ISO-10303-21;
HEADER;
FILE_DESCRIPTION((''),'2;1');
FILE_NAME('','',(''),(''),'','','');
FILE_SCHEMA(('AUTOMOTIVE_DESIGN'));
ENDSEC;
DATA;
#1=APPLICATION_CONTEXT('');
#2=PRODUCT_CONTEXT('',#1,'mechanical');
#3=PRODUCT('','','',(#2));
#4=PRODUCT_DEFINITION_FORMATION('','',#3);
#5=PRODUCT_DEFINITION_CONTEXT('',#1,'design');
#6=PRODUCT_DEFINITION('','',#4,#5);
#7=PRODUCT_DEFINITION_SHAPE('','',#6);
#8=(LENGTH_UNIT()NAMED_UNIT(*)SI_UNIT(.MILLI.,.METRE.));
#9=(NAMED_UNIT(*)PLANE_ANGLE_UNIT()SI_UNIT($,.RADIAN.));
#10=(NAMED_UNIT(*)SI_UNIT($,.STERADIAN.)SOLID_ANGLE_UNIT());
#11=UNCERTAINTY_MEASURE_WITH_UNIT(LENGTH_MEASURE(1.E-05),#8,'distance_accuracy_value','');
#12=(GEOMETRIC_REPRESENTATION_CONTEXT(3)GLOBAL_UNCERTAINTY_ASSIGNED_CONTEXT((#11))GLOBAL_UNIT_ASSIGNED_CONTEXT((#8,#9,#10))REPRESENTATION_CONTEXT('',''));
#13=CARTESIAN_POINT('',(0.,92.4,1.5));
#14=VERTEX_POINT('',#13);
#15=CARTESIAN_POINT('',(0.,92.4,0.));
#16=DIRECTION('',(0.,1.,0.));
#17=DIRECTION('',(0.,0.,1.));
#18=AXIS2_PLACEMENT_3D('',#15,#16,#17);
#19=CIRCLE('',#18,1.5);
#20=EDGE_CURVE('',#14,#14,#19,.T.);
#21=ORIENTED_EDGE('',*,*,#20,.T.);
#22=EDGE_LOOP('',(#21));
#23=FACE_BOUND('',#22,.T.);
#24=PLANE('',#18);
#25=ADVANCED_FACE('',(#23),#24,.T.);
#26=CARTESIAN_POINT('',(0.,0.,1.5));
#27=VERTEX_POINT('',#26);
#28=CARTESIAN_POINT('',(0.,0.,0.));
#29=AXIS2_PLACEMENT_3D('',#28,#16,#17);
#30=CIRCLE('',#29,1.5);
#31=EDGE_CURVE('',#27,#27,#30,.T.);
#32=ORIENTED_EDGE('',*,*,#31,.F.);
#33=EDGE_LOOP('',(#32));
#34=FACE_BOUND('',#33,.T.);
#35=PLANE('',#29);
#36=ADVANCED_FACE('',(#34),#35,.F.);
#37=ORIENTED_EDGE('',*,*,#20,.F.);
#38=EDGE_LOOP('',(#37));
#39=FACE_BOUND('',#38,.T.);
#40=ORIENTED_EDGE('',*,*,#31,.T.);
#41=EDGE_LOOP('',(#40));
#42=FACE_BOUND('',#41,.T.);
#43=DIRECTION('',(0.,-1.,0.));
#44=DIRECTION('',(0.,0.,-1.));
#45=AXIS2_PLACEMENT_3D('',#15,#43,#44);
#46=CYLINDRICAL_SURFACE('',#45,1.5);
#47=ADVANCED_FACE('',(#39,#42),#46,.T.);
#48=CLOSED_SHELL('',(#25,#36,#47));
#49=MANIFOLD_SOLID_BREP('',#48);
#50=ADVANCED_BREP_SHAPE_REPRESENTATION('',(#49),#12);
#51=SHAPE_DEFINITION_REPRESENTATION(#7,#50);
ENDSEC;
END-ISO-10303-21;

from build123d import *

# Parameters (mm, degrees)
ESQUISSE1_R        = 1.5
BOSS_EXTRU_1_DEPTH = 92.4


with BuildPart() as part:
    # Esquisse1 → Boss.-Extru.1 (new body)
    with BuildSketch(Plane(origin=(0, 0, 0), x_dir=(1, 0, 0), z_dir=(0, 1, 0))):
        Circle(ESQUISSE1_R)
    extrude(amount=BOSS_EXTRU_1_DEPTH)


solid = part.part
